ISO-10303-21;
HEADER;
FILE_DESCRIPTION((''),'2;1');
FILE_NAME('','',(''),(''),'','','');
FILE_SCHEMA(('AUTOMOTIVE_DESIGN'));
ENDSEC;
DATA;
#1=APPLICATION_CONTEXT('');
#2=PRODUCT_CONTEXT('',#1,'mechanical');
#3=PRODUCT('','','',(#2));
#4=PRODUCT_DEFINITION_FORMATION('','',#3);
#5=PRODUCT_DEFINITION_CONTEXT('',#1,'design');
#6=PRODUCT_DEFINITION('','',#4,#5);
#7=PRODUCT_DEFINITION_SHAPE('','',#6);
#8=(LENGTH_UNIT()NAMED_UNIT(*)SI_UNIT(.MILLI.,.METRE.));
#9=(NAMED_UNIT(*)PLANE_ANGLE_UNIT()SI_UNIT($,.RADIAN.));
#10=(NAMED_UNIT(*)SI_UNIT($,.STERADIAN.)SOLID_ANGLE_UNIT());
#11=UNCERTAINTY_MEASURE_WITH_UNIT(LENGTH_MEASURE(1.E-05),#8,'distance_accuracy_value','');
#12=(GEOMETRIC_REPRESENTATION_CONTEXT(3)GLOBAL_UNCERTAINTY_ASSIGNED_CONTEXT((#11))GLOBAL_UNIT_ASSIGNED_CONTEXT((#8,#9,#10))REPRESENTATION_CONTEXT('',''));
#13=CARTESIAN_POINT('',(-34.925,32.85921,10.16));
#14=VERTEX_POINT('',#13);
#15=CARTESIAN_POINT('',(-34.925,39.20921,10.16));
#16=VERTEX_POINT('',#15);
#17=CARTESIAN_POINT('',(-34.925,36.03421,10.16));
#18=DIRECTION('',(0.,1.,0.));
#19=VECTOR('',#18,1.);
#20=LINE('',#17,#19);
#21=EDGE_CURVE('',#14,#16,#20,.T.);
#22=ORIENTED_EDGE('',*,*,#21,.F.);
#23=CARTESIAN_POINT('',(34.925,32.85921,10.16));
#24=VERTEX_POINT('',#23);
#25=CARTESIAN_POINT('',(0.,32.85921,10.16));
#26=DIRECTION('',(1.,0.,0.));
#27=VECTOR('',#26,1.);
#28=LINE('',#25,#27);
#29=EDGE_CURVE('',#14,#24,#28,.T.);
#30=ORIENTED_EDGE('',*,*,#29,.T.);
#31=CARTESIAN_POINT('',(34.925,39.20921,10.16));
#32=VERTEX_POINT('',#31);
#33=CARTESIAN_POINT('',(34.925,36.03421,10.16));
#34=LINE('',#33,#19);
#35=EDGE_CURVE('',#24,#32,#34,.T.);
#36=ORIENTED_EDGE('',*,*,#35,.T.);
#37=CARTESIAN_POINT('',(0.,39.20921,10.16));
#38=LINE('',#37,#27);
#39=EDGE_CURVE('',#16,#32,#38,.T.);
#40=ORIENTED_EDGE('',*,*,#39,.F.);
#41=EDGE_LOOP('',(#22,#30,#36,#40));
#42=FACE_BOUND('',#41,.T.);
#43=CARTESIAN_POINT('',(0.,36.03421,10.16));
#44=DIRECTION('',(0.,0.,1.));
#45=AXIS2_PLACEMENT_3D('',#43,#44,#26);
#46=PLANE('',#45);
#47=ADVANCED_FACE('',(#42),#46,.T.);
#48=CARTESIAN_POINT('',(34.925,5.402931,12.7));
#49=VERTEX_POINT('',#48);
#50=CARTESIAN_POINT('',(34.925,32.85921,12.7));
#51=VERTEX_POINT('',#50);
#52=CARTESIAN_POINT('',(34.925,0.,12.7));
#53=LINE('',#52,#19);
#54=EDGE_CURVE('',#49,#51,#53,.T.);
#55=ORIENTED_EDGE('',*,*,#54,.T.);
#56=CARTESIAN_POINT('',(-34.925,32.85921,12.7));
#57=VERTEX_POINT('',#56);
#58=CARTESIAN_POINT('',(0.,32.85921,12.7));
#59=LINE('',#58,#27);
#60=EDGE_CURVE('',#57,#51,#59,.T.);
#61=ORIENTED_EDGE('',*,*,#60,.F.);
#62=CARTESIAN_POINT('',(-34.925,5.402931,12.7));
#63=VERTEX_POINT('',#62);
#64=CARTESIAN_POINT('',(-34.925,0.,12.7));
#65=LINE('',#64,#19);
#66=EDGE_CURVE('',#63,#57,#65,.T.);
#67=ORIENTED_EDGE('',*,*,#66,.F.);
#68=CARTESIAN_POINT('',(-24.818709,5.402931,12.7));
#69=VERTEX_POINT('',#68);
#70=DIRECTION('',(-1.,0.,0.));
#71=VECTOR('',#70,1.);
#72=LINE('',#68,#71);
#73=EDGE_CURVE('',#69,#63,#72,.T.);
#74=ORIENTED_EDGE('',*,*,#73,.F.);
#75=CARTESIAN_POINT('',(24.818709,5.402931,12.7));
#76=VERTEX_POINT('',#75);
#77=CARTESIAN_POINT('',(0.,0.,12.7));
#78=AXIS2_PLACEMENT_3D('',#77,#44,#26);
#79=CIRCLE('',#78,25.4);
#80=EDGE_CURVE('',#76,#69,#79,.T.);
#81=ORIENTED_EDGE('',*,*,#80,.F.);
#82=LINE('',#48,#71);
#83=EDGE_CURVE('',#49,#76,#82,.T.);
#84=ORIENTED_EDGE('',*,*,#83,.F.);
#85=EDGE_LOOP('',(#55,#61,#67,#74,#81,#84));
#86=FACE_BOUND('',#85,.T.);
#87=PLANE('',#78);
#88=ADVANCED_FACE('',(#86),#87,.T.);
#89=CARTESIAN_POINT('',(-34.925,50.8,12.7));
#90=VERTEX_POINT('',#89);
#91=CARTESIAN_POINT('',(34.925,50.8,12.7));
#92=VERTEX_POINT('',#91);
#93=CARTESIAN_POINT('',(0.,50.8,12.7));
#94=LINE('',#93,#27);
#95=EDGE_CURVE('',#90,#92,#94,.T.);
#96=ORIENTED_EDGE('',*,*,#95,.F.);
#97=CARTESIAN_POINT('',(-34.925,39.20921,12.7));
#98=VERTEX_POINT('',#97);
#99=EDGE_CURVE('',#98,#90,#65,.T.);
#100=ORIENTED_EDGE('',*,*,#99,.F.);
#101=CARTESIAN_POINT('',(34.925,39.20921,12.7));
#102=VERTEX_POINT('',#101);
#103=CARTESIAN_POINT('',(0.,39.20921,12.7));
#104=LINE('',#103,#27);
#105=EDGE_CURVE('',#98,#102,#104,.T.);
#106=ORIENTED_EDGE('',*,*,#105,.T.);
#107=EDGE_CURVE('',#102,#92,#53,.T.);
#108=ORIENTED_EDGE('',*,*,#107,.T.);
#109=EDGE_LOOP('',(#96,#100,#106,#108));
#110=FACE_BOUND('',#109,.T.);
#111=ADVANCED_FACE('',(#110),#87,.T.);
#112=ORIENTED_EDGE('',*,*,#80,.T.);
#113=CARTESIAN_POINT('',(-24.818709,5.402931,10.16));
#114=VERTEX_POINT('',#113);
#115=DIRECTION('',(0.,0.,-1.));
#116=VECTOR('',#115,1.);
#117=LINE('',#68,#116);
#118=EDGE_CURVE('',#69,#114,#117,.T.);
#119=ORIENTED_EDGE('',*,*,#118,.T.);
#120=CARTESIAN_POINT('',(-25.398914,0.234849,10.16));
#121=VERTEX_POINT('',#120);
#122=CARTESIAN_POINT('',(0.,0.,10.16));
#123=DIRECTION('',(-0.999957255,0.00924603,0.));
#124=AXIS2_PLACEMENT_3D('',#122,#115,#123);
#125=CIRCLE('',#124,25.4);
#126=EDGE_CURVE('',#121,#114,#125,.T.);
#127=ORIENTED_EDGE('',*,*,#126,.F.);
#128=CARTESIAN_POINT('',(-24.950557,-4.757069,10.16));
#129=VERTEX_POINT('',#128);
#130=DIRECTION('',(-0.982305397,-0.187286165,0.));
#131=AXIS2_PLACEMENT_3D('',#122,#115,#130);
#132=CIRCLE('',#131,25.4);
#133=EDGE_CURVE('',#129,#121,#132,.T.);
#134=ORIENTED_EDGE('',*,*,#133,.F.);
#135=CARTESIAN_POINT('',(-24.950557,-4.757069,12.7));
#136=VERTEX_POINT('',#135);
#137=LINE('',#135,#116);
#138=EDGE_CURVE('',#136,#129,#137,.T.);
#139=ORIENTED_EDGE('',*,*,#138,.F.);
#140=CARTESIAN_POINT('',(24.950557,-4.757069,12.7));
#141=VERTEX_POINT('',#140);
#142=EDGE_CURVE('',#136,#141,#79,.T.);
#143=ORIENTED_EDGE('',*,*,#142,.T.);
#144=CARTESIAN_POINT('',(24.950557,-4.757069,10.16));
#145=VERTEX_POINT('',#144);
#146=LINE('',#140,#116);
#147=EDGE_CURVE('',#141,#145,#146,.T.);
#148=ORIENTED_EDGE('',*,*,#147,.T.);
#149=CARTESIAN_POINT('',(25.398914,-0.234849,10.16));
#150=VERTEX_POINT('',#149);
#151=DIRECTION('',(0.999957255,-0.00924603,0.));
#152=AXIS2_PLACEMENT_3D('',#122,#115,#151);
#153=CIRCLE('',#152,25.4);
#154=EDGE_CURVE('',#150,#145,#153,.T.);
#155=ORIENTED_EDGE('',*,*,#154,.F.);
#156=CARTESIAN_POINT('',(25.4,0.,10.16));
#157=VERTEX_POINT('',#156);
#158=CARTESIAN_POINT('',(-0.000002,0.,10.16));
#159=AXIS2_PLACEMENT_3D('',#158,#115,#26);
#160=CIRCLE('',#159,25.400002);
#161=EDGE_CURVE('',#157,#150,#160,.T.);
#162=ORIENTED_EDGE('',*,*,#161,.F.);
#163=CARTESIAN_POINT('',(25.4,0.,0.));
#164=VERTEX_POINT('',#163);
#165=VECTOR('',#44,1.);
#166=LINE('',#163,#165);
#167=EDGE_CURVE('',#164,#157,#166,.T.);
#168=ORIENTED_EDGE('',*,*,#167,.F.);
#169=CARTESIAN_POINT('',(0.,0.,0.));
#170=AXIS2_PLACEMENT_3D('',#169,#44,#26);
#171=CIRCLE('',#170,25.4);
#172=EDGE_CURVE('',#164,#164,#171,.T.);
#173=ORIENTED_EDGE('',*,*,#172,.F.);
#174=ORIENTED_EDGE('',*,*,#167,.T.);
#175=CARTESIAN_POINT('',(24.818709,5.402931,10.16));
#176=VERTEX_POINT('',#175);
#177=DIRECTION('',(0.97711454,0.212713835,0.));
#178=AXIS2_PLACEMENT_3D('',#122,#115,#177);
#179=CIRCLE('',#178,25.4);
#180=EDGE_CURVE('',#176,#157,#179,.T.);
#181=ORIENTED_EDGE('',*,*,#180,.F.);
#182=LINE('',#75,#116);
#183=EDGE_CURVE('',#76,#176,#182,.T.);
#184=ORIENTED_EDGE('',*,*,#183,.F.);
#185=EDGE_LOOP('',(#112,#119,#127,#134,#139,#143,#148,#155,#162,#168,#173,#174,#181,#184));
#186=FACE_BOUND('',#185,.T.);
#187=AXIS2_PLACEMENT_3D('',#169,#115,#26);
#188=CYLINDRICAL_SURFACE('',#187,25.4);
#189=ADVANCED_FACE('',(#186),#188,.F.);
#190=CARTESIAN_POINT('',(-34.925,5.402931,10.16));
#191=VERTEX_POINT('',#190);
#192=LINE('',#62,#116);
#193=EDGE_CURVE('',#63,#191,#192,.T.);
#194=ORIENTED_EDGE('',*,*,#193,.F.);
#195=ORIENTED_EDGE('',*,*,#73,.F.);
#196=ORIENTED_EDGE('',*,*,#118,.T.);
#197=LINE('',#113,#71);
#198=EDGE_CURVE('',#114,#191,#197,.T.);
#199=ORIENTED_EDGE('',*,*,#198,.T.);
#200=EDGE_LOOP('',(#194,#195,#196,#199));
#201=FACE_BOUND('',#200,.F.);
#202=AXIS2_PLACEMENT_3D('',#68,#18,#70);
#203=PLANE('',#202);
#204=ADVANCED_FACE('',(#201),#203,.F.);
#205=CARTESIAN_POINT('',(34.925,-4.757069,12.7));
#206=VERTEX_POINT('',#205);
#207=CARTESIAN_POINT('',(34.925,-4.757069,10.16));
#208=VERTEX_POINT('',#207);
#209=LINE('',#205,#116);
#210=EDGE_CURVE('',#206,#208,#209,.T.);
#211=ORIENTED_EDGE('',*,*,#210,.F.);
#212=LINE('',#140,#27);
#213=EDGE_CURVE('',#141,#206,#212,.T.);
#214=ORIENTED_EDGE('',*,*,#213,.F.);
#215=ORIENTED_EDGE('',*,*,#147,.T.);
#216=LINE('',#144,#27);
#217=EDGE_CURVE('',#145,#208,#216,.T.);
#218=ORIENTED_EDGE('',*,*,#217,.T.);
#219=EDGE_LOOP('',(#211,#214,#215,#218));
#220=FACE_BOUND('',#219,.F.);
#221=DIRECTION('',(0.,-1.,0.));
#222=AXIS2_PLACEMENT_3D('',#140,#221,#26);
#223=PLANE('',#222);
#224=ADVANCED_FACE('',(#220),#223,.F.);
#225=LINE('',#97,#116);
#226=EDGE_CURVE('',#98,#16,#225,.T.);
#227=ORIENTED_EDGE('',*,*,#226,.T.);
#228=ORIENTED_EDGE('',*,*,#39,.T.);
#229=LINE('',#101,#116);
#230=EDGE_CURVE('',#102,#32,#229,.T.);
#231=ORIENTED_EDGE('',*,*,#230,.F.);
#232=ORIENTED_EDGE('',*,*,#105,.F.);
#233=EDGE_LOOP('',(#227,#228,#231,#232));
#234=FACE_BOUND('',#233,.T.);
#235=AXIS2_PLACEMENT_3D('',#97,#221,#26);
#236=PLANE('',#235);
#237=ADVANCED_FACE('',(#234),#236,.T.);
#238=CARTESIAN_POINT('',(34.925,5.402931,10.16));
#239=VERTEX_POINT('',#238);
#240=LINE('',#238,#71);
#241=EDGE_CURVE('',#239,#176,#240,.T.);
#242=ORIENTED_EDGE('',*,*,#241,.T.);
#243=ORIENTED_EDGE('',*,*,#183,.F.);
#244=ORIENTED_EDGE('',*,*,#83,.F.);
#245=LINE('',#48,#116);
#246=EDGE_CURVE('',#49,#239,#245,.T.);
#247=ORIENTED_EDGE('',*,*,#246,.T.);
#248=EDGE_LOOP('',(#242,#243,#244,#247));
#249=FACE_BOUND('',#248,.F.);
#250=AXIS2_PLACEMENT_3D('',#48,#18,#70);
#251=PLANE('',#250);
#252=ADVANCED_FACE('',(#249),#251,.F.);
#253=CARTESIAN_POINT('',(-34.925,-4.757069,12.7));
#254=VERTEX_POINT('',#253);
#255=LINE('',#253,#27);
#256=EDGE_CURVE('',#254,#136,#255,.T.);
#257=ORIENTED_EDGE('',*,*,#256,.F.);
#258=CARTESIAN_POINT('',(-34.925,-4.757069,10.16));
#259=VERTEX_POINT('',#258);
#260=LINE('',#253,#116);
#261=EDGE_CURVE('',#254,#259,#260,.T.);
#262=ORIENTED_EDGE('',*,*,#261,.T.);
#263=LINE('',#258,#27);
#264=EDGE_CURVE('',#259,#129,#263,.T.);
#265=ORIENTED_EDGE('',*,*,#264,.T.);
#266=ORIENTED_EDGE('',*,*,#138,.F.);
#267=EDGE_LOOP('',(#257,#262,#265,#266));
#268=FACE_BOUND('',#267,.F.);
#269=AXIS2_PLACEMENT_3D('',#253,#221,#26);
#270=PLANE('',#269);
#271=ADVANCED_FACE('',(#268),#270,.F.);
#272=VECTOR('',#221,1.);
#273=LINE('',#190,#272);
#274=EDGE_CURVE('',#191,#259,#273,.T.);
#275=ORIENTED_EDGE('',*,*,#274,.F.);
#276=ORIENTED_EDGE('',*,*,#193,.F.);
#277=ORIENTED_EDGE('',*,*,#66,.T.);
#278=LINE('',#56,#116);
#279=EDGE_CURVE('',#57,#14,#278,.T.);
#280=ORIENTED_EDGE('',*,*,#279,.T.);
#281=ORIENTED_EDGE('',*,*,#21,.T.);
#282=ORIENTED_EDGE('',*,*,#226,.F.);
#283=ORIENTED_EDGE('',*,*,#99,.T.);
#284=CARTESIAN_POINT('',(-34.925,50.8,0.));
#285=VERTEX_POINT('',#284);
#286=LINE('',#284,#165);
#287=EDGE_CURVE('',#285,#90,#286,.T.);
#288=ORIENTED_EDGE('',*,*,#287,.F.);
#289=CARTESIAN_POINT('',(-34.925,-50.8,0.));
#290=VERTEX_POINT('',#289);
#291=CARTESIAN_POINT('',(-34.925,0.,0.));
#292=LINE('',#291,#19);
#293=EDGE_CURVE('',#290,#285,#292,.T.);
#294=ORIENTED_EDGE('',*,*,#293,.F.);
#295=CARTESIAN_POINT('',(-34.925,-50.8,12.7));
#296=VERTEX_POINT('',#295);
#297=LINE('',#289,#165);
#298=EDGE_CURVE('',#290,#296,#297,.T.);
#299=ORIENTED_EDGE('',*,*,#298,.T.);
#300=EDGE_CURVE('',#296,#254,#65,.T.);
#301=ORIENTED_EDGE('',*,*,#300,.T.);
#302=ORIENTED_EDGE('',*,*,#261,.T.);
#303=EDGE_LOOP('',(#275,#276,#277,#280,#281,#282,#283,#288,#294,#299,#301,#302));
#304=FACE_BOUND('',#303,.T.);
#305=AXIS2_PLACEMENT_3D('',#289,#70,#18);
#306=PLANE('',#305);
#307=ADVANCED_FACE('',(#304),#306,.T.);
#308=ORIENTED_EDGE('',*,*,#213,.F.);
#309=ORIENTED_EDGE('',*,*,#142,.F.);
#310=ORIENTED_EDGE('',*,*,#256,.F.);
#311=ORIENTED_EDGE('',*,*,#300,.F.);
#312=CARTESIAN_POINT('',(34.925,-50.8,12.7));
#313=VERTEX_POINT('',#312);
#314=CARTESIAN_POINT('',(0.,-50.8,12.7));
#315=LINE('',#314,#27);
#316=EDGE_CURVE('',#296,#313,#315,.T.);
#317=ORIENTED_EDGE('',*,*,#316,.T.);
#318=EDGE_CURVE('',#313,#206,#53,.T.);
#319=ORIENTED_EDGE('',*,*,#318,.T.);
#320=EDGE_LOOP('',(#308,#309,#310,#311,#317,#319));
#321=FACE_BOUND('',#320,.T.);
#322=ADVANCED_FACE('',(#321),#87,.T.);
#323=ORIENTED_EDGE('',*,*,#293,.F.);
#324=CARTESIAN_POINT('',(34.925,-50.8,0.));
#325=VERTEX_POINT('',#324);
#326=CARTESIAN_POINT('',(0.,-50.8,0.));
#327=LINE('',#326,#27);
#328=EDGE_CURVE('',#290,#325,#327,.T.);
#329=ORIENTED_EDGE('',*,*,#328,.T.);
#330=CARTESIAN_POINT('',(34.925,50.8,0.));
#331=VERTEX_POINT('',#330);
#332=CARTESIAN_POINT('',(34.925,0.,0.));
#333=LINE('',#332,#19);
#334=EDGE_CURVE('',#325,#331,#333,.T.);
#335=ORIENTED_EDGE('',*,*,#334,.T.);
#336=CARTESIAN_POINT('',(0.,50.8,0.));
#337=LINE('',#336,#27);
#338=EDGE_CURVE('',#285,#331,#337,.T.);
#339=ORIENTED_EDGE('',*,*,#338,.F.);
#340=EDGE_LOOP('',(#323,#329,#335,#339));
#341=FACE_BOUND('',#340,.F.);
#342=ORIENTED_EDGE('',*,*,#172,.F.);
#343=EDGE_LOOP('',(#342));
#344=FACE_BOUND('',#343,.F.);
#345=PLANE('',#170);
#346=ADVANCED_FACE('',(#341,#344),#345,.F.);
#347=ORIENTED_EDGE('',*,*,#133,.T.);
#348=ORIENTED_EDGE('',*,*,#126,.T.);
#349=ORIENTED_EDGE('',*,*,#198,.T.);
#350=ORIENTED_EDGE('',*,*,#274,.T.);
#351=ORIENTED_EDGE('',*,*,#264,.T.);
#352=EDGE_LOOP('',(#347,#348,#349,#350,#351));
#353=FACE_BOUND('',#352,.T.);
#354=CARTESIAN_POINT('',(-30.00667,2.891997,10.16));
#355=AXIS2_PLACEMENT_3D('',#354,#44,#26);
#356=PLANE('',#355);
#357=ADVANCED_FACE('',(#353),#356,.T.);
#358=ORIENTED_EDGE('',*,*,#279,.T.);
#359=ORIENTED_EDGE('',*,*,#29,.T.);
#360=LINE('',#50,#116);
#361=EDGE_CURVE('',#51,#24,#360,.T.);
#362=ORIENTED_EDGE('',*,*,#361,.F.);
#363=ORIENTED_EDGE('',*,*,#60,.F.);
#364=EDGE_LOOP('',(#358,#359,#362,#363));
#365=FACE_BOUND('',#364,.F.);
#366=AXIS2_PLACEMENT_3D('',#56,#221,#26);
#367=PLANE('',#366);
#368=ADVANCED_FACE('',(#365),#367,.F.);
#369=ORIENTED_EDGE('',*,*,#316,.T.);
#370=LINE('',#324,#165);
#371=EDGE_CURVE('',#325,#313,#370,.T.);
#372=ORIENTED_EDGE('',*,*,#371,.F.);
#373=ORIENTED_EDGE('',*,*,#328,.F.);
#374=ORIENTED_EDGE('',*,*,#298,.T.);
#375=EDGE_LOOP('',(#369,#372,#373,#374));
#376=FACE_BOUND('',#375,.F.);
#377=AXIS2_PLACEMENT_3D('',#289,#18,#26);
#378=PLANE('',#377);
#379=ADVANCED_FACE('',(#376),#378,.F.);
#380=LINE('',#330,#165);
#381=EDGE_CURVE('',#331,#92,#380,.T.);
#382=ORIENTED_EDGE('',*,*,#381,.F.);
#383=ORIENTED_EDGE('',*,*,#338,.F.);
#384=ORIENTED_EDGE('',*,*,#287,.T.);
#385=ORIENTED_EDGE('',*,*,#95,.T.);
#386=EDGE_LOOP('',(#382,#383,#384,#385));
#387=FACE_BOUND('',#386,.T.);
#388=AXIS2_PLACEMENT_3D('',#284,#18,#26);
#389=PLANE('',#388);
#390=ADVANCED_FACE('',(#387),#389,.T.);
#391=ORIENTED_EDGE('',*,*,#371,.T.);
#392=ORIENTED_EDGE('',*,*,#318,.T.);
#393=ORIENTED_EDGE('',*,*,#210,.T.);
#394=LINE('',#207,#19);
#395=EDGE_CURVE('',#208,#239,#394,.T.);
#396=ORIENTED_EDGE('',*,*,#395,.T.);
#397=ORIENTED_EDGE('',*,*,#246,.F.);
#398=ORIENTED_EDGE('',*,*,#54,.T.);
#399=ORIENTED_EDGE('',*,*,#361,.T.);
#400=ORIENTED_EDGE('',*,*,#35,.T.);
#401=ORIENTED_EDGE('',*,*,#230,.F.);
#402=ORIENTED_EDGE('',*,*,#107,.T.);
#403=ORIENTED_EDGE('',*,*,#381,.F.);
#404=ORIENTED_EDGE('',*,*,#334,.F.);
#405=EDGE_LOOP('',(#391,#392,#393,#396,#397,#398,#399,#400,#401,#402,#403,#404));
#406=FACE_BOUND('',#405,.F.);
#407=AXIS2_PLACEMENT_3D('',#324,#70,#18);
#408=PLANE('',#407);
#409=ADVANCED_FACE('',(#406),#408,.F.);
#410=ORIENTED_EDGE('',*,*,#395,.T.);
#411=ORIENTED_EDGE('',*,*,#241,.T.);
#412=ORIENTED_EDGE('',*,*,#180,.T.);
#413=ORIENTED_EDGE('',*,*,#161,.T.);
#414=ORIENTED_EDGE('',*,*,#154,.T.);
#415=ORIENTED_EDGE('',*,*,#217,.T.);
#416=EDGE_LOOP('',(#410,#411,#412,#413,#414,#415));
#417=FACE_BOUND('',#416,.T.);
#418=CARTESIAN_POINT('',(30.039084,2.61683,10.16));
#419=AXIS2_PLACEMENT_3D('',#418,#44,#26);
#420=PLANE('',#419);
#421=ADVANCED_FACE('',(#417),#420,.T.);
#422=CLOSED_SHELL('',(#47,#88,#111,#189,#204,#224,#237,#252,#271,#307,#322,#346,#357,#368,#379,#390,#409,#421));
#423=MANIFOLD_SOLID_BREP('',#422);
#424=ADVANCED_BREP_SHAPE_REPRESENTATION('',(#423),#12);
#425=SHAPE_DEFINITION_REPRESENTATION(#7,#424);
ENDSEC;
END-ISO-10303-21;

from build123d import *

# Parameters (mm, degrees)
F0_W     = 69.85
F0_H     = 101.6
F0_R     = 25.4
F1_DEPTH = 12.7
F2_W     = 69.85
F2_H     = 6.35
F3_DEPTH = 2.54


with BuildPart() as f1:
    # F0 (on Top) → F1 (new body)
    with BuildSketch(Plane.XY):
        Rectangle(F0_W, F0_H)
        Circle(F0_R, mode=Mode.SUBTRACT)
    extrude(amount=F1_DEPTH)

    # F2 (on face) → F3 (cut)
    with BuildSketch(Plane.XY.offset(12.7)):
        with BuildLine():
            Line((-24.8187093164, 5.4029314144), (-34.925, 5.4029314144))
            Line((-34.925, 5.4029314144), (-34.925, 0.3229314144))
            Line((-34.925, 0.3229314144), (-25.3989142655, 0.2348491713))
            ThreePointArc((-25.3989142655, 0.2348491713), (-25.2414282098, 2.8337787368), (-24.8187093164, 5.4029314144))
        make_face()
        with BuildLine():
            Line((-25.3989142655, 0.2348491713), (-34.925, 0.3229314144))
            Line((-34.925, 0.3229314144), (-34.925, -4.7570685856))
            Line((-34.925, -4.7570685856), (-24.9505570774, -4.7570685856))
            ThreePointArc((-24.9505570774, -4.7570685856), (-25.2981644957, -2.2721956671), (-25.3989142655, 0.2348491713))
        make_face()
        with BuildLine():
            Line((34.925, -0.3229314144), (34.925, 5.4029314144))
            Line((34.925, 5.4029314144), (24.8187093164, 5.4029314144))
            ThreePointArc((24.8187093164, 5.4029314144), (25.2542592114, 2.7170557009), (25.4, 0))
            ThreePointArc((25.4, 0), (25.3997285649, -0.1174258405), (25.3989142655, -0.2348491713))
            Line((25.3989142655, -0.2348491713), (34.925, -0.3229314144))
        make_face()
        with BuildLine():
            Line((34.925, -4.7570685856), (34.925, -0.3229314144))
            Line((34.925, -0.3229314144), (25.3989142655, -0.2348491713))
            ThreePointArc((25.3989142655, -0.2348491713), (25.2760743241, -2.5060061383), (24.9505570774, -4.7570685856))
            Line((24.9505570774, -4.7570685856), (34.925, -4.7570685856))
        make_face()
        with Locations((0, 36.0342099249)):
            Rectangle(F2_W, F2_H)
    extrude(amount=-F3_DEPTH, mode=Mode.SUBTRACT)


solid = f1.part
